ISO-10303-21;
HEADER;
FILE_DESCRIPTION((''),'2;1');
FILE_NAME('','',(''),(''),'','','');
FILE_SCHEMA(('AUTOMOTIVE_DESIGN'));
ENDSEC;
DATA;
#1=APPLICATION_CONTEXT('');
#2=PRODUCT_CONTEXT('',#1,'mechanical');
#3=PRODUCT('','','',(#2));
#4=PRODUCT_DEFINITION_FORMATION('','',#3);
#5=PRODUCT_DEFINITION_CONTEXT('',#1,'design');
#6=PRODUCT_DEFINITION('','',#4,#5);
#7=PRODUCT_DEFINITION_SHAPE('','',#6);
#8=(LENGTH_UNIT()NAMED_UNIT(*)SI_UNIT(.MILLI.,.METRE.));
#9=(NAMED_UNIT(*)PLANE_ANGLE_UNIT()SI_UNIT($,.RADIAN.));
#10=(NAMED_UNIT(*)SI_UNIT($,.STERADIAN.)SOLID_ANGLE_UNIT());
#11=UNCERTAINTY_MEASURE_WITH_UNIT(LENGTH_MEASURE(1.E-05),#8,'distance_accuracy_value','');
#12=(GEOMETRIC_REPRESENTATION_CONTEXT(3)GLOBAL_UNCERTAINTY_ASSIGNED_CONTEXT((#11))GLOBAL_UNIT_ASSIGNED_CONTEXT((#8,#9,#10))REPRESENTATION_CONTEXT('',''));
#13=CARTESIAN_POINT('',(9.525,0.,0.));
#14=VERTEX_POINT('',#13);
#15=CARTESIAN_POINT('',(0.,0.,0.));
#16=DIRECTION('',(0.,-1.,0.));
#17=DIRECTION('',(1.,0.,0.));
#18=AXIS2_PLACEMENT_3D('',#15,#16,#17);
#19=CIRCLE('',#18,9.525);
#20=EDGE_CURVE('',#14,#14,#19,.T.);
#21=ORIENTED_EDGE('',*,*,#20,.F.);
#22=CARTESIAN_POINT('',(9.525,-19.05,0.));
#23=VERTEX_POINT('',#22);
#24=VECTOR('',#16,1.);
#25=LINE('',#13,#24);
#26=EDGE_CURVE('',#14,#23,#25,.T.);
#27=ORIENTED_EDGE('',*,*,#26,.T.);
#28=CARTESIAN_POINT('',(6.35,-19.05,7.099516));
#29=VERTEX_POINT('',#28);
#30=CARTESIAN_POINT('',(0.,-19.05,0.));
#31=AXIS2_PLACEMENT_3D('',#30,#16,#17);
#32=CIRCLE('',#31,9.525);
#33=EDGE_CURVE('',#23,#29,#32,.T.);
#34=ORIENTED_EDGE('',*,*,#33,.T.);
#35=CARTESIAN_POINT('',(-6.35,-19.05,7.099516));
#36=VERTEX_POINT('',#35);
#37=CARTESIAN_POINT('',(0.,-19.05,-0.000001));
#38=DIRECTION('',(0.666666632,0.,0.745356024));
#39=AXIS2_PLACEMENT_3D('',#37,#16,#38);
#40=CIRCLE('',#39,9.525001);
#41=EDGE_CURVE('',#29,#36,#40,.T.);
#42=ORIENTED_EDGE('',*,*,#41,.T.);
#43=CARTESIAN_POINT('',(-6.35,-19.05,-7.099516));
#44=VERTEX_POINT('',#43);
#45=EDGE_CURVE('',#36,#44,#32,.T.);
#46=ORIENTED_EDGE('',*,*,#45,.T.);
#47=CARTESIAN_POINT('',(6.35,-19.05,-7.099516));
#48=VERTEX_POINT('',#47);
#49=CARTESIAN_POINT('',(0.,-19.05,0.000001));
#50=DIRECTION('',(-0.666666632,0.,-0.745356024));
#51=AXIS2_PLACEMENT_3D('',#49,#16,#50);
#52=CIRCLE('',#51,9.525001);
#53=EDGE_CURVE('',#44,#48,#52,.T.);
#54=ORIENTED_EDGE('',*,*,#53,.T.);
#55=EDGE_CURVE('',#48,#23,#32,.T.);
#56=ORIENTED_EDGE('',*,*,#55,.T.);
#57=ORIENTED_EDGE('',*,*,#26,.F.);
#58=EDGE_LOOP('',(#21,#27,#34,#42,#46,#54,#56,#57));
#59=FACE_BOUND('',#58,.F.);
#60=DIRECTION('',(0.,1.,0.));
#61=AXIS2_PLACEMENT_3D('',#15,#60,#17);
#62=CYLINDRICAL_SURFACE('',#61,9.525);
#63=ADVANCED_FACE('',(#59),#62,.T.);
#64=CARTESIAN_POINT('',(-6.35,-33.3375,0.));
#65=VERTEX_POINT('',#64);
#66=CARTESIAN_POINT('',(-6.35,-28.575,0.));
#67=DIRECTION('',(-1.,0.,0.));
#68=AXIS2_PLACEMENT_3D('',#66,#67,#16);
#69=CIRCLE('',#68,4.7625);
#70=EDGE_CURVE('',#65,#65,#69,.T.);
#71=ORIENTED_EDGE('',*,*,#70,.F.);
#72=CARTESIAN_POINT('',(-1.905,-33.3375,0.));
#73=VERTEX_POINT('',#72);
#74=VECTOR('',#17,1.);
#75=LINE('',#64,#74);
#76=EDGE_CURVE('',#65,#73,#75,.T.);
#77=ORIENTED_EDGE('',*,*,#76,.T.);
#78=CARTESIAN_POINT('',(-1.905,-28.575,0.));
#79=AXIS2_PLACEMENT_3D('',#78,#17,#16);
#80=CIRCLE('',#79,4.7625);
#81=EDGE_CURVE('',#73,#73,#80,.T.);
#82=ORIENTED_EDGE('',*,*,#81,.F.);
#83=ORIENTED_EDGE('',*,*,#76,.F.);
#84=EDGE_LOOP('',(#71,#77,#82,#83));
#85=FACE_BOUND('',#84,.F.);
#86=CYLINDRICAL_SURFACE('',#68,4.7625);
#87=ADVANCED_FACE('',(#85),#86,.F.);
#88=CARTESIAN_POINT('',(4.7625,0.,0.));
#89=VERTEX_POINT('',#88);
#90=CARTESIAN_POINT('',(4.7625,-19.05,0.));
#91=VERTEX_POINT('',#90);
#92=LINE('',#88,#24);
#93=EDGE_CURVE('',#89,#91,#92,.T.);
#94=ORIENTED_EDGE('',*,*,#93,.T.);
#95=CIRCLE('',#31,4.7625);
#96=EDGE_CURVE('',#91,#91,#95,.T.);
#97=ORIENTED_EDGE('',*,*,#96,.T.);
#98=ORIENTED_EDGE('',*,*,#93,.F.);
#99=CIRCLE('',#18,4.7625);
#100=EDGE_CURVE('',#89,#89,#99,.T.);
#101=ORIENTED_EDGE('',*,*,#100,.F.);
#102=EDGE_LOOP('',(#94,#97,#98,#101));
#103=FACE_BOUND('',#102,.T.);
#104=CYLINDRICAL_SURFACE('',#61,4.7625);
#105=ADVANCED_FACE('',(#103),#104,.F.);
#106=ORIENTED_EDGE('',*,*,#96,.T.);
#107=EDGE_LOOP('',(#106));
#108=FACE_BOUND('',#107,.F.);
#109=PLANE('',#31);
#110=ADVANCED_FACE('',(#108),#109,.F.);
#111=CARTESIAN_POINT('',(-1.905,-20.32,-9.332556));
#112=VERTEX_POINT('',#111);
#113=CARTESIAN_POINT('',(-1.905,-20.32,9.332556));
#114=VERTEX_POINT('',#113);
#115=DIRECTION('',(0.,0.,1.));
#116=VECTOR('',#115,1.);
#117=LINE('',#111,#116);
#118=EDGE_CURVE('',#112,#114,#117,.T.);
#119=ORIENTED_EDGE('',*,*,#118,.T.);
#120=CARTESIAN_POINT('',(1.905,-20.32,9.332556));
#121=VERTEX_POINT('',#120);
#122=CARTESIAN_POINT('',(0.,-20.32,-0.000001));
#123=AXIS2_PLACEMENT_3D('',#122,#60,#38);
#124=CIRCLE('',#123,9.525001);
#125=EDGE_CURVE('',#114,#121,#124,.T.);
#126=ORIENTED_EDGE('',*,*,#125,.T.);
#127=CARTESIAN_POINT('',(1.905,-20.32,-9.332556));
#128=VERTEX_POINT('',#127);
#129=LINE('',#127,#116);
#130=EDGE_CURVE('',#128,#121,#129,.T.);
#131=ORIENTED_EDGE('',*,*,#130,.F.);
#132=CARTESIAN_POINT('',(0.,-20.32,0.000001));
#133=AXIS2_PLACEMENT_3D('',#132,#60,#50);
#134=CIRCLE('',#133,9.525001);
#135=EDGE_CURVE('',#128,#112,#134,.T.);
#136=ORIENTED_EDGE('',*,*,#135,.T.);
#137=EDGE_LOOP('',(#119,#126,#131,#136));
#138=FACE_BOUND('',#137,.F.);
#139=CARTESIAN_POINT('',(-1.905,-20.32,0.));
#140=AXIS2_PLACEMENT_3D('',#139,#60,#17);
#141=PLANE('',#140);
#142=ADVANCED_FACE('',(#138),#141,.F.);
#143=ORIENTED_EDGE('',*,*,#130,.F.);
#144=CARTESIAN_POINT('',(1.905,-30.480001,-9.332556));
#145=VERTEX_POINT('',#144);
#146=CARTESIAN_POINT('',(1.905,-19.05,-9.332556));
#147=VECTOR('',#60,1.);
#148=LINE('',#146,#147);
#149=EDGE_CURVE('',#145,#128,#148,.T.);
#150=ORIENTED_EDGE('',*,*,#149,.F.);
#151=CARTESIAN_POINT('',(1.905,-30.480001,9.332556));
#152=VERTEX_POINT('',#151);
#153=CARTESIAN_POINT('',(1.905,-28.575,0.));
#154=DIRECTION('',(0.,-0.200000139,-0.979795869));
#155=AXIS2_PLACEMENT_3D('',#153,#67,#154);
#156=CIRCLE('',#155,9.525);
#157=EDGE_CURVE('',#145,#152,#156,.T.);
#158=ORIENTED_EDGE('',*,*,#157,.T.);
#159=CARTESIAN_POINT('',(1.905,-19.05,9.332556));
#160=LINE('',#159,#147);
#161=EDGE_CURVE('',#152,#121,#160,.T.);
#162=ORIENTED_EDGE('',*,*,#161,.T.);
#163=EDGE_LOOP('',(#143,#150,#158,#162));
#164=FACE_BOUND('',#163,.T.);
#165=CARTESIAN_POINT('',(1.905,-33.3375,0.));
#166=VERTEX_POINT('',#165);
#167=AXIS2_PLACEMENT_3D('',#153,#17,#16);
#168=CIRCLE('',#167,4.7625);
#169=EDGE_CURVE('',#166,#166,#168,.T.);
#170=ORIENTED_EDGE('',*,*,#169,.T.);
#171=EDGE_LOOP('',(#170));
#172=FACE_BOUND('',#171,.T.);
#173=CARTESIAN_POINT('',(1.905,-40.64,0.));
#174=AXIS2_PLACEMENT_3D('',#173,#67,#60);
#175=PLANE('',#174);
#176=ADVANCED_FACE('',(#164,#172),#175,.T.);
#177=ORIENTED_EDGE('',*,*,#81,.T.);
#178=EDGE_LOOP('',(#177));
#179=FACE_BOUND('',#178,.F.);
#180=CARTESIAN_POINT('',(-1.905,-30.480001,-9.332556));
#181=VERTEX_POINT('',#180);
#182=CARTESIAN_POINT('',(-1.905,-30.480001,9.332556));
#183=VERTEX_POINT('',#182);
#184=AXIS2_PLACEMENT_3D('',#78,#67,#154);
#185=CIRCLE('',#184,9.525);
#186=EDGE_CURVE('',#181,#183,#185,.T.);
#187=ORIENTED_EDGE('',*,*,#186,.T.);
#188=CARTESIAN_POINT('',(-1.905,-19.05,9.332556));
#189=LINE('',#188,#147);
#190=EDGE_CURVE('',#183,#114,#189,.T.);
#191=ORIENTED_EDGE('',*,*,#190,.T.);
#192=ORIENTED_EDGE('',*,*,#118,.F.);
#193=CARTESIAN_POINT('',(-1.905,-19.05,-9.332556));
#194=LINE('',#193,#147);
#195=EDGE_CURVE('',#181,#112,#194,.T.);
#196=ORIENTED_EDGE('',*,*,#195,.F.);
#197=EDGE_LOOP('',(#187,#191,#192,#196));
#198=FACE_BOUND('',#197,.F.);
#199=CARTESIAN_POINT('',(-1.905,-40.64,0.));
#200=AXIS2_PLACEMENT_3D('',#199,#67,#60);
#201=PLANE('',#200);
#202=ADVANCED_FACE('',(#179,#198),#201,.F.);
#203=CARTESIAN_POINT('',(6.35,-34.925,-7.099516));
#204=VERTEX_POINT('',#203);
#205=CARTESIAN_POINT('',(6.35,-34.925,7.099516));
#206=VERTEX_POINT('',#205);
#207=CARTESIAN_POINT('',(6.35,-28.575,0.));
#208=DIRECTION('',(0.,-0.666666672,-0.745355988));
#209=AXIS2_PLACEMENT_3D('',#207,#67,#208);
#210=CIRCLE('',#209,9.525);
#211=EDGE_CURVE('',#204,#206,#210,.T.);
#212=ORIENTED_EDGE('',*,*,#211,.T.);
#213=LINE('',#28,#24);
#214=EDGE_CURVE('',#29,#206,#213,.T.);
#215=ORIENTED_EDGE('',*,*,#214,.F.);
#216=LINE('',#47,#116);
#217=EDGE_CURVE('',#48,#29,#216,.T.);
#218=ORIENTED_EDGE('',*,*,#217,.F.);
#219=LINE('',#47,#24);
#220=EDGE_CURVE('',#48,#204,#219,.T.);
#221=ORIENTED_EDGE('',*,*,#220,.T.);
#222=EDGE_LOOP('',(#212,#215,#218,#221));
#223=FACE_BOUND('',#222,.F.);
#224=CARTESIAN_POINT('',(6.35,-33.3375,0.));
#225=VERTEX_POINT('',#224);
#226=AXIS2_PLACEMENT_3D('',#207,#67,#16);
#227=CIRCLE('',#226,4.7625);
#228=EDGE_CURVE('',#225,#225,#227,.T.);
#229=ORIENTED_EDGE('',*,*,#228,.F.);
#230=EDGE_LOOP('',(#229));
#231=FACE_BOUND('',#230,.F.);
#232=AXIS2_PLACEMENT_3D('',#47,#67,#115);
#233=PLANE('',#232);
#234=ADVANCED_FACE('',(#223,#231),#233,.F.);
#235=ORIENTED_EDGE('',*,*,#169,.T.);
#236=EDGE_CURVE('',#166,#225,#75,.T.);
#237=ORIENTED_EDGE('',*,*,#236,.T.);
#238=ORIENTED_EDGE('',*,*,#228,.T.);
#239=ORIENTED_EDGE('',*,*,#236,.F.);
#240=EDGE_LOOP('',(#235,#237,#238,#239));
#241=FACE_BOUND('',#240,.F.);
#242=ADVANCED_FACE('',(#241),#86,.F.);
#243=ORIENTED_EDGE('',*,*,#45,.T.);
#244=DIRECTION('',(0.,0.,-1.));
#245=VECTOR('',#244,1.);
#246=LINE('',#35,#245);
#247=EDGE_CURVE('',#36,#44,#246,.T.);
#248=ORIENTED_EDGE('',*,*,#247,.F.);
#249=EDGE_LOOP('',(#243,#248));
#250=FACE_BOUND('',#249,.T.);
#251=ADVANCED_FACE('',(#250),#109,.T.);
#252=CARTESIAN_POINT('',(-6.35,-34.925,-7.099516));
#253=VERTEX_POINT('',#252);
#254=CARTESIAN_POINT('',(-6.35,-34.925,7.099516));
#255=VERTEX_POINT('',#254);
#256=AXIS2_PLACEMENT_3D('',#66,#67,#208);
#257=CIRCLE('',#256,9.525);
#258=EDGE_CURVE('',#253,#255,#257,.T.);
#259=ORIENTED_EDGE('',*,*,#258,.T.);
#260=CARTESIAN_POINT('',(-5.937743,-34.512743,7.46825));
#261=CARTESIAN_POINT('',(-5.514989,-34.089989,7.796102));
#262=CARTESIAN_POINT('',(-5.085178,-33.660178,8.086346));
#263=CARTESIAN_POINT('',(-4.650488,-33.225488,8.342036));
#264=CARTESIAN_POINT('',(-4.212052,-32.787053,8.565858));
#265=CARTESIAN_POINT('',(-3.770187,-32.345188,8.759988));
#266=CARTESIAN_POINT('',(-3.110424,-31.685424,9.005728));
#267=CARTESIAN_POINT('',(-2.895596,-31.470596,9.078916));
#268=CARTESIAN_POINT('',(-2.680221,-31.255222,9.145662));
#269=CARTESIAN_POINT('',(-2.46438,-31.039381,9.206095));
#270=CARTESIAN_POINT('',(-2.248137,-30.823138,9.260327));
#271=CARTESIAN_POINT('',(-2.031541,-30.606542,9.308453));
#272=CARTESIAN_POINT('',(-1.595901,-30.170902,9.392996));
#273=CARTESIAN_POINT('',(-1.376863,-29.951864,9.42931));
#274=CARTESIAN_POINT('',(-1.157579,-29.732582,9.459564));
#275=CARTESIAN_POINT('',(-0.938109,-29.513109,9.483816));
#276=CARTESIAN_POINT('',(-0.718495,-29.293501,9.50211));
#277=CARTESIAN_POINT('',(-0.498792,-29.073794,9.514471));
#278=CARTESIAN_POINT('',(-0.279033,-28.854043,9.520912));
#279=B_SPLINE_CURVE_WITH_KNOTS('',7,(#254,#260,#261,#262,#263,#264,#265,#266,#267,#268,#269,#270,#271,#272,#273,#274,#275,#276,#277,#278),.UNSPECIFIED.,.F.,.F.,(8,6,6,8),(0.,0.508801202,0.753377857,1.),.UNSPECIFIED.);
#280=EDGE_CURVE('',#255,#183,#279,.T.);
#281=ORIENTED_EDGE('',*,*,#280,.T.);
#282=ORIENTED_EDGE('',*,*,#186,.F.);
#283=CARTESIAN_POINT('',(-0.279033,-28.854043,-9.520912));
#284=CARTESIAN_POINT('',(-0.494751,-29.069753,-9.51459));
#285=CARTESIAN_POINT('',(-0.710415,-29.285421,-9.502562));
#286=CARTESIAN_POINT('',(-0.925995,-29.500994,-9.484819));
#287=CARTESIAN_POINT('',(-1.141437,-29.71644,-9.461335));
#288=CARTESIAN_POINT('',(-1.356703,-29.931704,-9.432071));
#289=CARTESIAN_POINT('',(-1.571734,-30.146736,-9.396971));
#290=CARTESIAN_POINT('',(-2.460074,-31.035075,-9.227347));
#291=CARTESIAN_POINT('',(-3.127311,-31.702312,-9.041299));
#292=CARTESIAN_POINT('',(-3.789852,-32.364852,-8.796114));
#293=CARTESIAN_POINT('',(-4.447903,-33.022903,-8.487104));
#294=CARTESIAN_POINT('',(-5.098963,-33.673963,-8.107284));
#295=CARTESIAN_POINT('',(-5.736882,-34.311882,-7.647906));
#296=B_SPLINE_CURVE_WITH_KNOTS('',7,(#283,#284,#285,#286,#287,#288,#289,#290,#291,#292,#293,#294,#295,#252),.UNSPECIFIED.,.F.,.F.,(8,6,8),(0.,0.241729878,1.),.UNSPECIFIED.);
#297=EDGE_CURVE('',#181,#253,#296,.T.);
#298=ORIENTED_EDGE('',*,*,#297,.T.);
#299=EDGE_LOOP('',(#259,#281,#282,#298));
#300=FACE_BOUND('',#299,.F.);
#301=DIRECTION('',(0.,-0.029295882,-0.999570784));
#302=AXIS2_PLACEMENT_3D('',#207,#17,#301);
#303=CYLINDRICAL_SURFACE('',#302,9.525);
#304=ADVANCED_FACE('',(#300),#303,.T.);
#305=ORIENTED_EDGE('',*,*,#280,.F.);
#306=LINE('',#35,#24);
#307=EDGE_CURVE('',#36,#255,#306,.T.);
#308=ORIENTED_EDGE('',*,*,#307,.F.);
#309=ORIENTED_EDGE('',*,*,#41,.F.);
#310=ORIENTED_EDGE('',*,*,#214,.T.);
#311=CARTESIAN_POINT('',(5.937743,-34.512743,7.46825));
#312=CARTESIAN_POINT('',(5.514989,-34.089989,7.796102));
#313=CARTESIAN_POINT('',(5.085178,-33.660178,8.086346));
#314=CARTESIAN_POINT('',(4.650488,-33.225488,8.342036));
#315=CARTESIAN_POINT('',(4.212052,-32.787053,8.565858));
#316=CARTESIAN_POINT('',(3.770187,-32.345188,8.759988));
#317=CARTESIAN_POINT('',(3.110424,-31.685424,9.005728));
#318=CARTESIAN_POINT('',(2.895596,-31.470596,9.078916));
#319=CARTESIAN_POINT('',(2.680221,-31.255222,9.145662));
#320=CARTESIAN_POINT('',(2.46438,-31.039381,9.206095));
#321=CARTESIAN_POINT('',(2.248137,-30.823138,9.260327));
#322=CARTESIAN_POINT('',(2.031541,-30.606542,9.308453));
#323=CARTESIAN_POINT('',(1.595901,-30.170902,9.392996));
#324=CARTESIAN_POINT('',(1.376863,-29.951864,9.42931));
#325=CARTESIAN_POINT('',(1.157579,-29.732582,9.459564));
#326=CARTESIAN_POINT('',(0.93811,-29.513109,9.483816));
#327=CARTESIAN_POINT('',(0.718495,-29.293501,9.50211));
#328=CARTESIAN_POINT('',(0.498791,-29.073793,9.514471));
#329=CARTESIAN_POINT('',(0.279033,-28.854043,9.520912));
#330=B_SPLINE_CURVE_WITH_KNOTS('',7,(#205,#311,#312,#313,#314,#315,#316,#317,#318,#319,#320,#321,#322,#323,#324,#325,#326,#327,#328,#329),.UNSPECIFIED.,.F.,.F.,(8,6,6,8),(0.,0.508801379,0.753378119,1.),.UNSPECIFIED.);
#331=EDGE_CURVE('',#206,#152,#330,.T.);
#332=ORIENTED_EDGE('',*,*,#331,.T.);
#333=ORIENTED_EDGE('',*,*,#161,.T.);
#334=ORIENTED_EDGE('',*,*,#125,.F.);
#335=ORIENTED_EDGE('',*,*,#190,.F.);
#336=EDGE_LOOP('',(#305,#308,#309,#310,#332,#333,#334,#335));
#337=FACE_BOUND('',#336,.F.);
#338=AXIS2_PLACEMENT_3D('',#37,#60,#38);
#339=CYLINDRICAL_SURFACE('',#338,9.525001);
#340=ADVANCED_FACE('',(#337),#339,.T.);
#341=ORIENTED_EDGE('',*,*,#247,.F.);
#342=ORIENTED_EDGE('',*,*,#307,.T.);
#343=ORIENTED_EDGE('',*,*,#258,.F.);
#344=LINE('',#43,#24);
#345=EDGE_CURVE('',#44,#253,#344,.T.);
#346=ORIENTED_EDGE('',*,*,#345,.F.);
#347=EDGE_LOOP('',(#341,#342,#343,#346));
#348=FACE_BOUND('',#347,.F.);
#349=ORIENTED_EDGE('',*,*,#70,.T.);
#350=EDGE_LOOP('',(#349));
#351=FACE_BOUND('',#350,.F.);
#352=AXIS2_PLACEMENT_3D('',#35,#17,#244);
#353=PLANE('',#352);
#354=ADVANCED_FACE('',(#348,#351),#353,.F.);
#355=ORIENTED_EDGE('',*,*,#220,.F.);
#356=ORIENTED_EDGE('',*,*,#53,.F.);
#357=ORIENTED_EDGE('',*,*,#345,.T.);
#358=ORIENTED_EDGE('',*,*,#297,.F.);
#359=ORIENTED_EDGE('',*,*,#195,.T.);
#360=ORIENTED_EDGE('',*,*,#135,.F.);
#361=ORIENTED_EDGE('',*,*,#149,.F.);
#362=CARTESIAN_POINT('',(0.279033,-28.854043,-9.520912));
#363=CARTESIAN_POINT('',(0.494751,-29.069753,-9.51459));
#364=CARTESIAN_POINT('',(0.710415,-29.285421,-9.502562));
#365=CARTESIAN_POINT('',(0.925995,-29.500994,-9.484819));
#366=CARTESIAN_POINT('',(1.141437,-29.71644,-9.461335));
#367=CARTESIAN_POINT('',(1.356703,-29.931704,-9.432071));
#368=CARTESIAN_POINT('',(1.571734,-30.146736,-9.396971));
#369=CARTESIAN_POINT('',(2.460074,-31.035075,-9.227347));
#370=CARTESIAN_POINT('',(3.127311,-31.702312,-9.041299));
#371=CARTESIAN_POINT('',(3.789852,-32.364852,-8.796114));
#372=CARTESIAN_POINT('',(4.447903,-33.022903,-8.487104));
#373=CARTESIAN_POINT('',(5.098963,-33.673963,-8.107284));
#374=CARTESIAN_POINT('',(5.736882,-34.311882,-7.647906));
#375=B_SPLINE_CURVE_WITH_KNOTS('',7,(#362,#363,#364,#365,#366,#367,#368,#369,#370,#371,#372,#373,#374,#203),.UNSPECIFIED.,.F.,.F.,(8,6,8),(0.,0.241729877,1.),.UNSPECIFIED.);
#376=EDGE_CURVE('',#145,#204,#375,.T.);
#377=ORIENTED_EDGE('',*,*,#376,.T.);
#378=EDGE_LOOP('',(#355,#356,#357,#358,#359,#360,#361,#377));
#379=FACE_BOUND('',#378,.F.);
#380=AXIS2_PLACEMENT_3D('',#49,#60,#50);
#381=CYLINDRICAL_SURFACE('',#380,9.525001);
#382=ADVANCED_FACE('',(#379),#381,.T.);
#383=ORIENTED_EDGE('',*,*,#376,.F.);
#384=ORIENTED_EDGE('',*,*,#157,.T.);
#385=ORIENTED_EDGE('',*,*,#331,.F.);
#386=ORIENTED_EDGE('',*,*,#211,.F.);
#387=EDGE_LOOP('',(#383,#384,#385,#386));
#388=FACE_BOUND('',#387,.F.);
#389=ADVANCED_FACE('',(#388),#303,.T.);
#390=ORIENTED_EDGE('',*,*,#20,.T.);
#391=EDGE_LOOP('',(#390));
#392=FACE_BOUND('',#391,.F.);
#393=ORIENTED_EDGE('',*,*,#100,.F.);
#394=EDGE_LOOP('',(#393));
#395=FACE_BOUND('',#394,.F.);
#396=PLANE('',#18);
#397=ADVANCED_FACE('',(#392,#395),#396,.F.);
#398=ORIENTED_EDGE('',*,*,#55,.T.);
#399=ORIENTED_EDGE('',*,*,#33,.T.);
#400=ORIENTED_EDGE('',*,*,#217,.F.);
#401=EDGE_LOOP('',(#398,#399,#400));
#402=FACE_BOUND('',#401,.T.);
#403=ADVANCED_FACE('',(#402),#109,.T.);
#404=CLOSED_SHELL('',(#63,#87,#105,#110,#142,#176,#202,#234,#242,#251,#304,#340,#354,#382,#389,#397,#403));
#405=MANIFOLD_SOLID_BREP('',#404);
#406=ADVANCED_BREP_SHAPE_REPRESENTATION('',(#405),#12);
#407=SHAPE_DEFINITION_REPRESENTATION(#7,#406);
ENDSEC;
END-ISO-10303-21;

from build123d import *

# Parameters (mm, degrees)
F0_R      = 9.525
F0_R_2    = 4.7625
F1_DEPTH  = 19.05
F3_DEPTH  = 19.05
F4_R      = 4.7625
F5_DEPTH  = 15.876
F7_DEPTH  = 15.876
F8_W      = 3.81
F8_H      = 20.32
F9_DEPTH  = 9.526
F10_DEPTH = 9.526


with BuildPart() as f1:
    # F0 (on Front) → F1 (new body)
    with BuildSketch(Plane.XZ):
        Circle(F0_R)
        Circle(F0_R_2, mode=Mode.SUBTRACT)
    extrude(amount=F1_DEPTH)

    # F2 (on face) → F3 (join)
    with BuildSketch(Plane.XZ.offset(19.05)):
        with BuildLine():
            Line((-6.35, 7.099516), (-6.35, -7.099516))
            ThreePointArc((-6.35, -7.099516), (0, -9.525), (6.35, -7.099516))
            Line((6.35, -7.099516), (6.35, 7.099516))
            ThreePointArc((6.35, 7.099516), (0, 9.525), (-6.35, 7.099516))
        make_face()
    extrude(amount=F3_DEPTH)

    # F4 (on face) → F5 (cut, through all)
    with BuildSketch(Plane(origin=(-6.35, 0, 0), x_dir=(0, -1, 0), z_dir=(-1, 0, 0))):
        with Locations((28.575, 0)):
            Circle(F4_R)
    extrude(amount=-F5_DEPTH, mode=Mode.SUBTRACT)

    # F6 (on face) → F7 (cut, through all)
    with BuildSketch(Plane.YZ.offset(6.35)):
        with BuildLine():
            ThreePointArc((-28.854043, -9.520912), (-38.1, 0), (-28.854043, 9.520912))
            Line((-28.854043, 9.520912), (-28.854043, 11.027435))
            Line((-28.854043, 11.027435), (-38.735, 11.027435))
            Line((-38.735, 11.027435), (-38.735, 9.520912))
            Line((-38.735, 9.520912), (-38.735, -9.520912))
            Line((-38.735, -9.520912), (-38.735, -10.820097))
            Line((-38.735, -10.820097), (-28.854043, -10.820097))
            Line((-28.854043, -10.820097), (-28.854043, -9.520912))
        make_face()
    extrude(amount=-F7_DEPTH, mode=Mode.SUBTRACT)

    # F8 (on Top) → F9 (cut, through all)
    with BuildSketch(Plane.XY):
        with Locations((0, -30.48)):
            Rectangle(F8_W, F8_H)
    extrude(amount=-F9_DEPTH, mode=Mode.SUBTRACT)

    # F8 (on Top) → F10 (cut, through all)
    with BuildSketch(Plane.XY):
        with Locations((0, -30.48)):
            Rectangle(F8_W, F8_H)
    extrude(amount=F10_DEPTH, mode=Mode.SUBTRACT)


solid = f1.part
